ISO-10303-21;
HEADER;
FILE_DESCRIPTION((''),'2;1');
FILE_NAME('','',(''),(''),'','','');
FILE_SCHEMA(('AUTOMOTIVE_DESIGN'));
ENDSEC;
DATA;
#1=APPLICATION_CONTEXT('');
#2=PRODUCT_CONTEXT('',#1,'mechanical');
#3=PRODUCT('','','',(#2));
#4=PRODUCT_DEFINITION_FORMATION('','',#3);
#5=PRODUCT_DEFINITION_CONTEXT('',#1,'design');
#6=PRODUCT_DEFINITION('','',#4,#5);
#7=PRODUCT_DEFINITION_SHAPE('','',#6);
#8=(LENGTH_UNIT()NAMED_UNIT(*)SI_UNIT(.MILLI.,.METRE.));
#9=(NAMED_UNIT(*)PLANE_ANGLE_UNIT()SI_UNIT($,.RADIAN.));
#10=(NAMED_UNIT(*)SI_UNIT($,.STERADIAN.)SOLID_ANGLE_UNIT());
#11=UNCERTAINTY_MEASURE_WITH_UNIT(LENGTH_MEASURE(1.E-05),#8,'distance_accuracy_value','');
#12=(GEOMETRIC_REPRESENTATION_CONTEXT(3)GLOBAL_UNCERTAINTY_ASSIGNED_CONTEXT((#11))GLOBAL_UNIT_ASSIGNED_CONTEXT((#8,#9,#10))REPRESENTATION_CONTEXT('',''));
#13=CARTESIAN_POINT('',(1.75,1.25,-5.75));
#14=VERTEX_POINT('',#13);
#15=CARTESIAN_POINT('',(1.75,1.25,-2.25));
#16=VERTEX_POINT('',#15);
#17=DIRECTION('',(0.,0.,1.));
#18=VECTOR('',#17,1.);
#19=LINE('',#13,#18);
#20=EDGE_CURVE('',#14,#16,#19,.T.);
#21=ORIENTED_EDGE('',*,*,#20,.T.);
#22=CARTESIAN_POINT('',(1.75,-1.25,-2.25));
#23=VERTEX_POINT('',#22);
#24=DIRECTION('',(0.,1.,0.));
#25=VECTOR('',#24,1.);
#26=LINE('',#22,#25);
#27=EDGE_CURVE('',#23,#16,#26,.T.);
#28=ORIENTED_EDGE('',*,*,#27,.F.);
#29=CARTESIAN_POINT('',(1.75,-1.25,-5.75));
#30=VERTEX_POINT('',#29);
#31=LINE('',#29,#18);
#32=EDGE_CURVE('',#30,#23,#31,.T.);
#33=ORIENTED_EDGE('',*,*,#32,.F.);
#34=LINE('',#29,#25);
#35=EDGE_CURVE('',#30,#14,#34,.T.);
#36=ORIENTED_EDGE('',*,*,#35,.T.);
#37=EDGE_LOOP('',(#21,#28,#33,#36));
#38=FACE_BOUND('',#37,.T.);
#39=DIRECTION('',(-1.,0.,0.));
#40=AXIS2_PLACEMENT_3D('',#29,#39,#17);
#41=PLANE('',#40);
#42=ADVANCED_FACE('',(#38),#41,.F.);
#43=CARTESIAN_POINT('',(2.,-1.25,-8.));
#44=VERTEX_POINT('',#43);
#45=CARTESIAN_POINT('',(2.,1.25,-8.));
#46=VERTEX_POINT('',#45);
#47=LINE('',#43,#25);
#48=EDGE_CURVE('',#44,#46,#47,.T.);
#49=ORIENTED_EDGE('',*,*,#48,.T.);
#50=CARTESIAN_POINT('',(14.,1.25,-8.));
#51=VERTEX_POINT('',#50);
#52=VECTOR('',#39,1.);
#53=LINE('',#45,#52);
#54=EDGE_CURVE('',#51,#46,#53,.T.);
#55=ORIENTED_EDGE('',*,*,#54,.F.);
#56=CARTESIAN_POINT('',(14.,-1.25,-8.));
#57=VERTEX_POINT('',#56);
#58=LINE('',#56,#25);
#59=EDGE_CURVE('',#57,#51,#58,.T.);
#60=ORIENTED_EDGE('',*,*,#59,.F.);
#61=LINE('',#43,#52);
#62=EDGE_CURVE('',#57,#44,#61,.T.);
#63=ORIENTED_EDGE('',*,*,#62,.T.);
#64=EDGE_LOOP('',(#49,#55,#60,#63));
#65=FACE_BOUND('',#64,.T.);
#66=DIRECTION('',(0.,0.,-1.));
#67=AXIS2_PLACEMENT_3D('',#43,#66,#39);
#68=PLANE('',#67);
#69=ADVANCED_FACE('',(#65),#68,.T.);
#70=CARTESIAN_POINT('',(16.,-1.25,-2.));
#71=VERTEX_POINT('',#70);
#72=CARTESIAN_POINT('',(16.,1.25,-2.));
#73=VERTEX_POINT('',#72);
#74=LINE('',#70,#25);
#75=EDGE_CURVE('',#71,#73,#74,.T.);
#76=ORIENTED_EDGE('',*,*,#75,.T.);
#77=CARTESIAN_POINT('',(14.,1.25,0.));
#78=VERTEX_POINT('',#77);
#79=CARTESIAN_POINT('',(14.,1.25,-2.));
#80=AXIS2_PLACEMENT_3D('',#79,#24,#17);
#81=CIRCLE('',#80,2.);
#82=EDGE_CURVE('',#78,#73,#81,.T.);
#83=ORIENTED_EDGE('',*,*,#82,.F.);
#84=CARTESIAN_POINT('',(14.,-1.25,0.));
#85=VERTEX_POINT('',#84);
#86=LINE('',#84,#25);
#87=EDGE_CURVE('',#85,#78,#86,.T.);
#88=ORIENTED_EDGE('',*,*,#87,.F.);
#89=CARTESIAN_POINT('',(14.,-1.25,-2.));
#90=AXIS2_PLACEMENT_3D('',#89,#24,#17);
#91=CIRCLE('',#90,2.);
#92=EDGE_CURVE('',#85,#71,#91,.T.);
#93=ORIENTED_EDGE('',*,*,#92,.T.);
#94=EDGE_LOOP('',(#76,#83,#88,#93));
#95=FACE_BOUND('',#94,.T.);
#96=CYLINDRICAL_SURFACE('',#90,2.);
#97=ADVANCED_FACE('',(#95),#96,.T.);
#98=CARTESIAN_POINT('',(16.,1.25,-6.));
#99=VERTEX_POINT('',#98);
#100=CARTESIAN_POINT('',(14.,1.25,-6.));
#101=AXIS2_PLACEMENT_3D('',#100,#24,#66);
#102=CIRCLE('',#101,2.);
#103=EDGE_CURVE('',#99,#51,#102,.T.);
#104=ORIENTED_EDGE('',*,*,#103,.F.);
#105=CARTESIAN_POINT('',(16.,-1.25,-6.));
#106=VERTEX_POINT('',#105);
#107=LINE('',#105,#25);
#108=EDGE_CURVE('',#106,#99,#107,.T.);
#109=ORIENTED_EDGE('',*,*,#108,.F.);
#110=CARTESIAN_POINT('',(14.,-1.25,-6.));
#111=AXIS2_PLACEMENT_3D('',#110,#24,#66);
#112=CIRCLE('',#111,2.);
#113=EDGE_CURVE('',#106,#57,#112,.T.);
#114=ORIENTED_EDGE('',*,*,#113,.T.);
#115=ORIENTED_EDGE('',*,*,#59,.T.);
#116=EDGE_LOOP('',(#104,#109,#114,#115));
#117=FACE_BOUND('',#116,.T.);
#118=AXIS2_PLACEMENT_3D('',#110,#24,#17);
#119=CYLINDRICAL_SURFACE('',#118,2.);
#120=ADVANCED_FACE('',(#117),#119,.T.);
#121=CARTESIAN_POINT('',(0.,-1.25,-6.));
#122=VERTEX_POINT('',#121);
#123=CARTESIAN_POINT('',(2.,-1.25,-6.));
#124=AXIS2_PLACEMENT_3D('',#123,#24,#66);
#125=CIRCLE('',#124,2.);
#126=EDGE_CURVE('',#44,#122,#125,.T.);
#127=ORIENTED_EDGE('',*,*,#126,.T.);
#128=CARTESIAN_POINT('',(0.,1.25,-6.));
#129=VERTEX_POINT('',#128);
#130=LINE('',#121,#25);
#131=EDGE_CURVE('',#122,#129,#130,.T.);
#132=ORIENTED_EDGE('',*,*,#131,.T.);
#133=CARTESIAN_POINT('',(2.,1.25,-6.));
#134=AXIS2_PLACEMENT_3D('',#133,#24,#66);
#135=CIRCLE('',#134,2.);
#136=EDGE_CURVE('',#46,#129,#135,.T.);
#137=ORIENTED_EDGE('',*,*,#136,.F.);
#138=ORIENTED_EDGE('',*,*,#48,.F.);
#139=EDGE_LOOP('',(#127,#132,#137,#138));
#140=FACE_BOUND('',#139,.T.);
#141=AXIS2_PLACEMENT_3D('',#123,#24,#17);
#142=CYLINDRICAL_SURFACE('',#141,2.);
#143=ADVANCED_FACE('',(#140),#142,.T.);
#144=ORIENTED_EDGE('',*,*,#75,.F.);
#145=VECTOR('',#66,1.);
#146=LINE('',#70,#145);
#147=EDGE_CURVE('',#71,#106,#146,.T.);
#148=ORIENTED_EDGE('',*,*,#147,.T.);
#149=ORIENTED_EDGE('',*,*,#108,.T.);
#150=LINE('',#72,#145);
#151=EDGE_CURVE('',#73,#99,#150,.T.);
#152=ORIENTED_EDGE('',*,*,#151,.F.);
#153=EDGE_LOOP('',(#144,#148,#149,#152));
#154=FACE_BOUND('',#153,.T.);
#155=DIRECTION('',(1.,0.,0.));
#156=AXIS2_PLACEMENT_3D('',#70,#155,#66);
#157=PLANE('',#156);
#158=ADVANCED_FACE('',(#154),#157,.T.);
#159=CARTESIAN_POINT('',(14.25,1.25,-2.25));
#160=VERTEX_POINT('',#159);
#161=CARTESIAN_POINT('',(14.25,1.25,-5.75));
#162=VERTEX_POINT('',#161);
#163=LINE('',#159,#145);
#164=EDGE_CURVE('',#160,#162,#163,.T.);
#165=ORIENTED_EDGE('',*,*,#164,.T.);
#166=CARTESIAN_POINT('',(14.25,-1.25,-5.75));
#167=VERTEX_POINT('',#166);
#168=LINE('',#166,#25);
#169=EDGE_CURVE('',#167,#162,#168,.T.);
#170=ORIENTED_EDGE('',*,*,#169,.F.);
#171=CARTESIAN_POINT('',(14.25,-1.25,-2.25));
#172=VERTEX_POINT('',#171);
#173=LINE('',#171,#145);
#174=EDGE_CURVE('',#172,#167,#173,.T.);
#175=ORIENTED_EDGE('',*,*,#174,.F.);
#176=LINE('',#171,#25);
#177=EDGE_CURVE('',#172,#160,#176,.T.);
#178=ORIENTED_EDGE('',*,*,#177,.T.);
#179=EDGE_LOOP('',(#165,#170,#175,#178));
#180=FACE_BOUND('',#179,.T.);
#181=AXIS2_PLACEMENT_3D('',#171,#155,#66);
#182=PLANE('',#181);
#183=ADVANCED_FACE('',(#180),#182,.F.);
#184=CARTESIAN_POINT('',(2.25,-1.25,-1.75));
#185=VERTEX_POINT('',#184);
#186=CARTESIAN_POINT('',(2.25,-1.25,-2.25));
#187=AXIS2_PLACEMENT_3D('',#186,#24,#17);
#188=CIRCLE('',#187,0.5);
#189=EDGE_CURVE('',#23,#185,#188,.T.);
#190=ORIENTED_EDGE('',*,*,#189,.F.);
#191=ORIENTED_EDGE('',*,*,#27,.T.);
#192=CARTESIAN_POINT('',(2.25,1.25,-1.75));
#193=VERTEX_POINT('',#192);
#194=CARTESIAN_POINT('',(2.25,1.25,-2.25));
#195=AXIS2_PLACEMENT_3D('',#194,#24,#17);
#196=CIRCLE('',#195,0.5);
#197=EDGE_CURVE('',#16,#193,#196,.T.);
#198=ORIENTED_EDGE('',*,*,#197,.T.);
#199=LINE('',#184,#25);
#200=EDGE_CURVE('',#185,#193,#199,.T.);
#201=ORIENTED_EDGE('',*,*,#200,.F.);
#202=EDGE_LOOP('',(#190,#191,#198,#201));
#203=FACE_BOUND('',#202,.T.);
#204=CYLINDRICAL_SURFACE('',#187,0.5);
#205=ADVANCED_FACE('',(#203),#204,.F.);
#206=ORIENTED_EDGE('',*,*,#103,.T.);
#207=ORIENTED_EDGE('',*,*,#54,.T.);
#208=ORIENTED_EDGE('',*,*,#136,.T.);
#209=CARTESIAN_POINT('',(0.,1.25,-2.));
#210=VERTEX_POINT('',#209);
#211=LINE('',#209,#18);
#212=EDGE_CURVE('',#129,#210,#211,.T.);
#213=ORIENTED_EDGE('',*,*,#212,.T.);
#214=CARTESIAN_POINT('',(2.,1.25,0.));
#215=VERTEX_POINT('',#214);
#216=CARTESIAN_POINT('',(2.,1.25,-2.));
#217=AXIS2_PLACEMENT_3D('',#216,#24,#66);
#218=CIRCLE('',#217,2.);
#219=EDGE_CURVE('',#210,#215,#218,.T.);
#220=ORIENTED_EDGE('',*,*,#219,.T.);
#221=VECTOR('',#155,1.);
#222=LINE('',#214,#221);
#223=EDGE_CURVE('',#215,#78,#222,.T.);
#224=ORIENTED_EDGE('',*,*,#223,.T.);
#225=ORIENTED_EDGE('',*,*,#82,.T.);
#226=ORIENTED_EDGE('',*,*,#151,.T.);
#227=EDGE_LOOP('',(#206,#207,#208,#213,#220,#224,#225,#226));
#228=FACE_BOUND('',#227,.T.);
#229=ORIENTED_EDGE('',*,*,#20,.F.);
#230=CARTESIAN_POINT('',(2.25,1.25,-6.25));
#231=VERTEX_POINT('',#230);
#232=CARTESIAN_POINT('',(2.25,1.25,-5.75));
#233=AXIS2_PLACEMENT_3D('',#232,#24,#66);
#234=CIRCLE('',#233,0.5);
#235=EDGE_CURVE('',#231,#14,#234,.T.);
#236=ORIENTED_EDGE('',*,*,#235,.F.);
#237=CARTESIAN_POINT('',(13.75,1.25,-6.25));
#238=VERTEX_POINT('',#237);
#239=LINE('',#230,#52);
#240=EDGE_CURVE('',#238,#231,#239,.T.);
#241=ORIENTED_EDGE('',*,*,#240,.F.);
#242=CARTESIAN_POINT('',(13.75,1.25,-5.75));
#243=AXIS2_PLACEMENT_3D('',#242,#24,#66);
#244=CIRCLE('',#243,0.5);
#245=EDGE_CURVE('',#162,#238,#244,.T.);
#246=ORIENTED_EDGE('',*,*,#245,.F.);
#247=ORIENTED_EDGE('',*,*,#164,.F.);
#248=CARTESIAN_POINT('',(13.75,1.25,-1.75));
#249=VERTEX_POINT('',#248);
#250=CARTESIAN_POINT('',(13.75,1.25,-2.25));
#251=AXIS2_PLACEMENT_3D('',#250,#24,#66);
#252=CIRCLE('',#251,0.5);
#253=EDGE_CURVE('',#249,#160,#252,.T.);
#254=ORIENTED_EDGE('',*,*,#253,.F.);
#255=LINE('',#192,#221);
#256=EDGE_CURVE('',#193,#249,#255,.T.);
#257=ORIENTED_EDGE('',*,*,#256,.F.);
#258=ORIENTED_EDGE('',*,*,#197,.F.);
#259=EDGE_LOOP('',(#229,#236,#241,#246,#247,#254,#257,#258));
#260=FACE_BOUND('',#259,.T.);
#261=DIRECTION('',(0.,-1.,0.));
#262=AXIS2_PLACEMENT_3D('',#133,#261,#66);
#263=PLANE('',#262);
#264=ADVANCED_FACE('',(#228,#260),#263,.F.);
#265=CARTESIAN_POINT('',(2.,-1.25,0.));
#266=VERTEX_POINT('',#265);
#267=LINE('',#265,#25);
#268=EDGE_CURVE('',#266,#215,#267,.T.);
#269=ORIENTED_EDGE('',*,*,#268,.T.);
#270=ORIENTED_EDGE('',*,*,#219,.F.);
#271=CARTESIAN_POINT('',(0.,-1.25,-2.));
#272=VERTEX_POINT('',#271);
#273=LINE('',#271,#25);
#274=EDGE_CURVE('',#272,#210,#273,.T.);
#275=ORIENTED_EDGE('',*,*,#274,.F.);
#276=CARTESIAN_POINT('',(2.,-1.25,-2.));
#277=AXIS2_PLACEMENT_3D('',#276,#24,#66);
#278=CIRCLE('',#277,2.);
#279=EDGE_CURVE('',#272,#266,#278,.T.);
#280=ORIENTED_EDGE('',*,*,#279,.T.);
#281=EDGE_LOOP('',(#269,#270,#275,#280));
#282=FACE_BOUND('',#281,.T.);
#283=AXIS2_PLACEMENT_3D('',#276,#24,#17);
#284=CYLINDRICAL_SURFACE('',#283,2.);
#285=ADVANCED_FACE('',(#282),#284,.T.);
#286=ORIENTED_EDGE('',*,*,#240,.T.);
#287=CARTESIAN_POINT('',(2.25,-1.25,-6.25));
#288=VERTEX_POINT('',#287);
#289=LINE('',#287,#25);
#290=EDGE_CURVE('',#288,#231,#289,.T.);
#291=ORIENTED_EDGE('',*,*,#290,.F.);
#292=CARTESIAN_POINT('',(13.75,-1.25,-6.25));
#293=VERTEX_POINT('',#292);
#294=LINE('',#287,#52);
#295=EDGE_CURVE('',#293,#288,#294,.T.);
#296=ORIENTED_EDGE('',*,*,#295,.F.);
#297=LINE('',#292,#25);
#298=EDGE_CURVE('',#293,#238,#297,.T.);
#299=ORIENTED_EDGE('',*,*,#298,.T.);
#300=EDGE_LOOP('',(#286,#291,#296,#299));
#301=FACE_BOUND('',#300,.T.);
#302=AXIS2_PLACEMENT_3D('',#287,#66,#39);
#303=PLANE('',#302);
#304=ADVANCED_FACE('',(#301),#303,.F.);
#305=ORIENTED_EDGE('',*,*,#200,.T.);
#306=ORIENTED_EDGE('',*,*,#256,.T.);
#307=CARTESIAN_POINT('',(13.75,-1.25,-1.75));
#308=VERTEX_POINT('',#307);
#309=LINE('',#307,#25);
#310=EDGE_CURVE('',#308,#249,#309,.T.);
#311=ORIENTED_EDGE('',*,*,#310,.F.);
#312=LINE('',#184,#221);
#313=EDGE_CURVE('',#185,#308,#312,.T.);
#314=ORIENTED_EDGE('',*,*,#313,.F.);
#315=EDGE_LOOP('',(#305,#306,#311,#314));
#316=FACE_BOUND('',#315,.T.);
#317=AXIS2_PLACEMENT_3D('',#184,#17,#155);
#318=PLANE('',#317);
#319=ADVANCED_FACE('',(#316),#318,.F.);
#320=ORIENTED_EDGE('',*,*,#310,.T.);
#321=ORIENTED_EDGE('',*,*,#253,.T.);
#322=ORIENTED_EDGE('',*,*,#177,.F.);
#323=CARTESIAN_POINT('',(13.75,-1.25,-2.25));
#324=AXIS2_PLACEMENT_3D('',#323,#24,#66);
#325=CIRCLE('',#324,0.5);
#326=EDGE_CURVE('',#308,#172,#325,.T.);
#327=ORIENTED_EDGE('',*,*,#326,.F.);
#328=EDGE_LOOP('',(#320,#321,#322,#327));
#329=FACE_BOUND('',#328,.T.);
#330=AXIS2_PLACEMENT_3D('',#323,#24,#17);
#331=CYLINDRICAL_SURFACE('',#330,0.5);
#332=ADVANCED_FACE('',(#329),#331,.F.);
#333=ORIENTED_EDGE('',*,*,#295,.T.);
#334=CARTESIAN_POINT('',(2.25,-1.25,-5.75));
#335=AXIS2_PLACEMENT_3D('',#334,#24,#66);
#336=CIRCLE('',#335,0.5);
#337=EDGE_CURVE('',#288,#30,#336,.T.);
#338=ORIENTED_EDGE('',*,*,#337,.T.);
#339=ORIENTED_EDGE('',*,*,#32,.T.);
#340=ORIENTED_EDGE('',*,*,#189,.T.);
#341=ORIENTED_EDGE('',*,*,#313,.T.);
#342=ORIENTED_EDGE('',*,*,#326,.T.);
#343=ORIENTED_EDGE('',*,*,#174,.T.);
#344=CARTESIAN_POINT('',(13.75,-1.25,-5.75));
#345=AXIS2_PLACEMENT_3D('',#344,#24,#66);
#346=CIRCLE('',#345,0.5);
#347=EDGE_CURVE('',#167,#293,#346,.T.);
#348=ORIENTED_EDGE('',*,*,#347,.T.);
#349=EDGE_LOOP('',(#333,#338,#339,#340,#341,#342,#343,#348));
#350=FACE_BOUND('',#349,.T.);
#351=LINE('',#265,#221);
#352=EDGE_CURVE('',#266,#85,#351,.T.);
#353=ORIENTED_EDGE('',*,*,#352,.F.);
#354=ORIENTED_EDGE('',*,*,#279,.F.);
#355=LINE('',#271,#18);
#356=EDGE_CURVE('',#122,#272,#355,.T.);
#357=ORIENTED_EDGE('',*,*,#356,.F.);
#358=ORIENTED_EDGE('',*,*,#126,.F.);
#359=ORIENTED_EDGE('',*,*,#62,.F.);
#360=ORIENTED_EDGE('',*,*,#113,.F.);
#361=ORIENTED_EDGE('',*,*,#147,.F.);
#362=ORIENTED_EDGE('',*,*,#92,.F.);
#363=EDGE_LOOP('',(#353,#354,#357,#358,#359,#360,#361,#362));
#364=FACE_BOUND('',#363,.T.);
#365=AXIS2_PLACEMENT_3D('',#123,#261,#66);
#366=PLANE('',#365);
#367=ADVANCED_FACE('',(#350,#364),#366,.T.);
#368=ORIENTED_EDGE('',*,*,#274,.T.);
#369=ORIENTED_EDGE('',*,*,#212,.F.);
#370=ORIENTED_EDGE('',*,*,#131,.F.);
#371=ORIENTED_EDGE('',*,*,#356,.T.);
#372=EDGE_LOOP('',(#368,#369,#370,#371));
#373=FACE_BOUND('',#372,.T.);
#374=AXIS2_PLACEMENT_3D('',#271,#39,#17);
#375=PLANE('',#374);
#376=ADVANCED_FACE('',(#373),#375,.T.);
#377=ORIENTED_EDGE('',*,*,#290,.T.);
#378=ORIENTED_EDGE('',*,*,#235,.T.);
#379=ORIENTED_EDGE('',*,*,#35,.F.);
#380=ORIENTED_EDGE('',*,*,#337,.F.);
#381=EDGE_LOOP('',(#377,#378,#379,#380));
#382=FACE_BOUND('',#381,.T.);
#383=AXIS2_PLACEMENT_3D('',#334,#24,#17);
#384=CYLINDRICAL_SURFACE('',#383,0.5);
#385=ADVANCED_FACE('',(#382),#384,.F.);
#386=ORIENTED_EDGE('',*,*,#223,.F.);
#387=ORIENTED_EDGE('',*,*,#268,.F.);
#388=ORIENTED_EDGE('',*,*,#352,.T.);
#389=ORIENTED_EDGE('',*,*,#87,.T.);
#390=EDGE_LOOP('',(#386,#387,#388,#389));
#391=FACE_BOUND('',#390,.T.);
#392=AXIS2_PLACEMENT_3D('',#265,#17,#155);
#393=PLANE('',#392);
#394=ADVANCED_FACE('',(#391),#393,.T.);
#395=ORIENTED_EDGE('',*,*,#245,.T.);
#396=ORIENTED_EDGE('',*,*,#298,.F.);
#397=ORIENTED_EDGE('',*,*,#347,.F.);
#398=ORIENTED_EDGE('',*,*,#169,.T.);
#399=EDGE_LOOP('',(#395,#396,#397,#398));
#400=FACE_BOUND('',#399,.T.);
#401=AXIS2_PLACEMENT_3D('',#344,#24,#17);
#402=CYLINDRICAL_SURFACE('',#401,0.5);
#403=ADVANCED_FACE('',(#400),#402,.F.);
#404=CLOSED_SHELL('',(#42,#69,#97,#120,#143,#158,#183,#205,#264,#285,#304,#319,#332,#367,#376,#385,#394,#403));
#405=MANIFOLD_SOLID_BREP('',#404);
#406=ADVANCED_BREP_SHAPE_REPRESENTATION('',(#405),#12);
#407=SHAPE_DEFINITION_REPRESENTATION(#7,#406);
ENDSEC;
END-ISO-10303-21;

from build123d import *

# Parameters (mm, degrees)
SALIENTE_EXTRUIR2_DEPTH      = 1.25
SALIENTE_EXTRUIR2_DEPTH_BACK = 1.25


with BuildPart() as part:
    # Croquis1 → Saliente-Extruir2 (new, two sides: drawn at the far end of the back side and taken through both)
    with BuildSketch(Plane(origin=(0, 0, 0), x_dir=(1, 0, 0), z_dir=(0, 1, 0)).offset(-SALIENTE_EXTRUIR2_DEPTH_BACK)):
        with BuildLine():
            Line((2, 0), (14, 0))
            ThreePointArc((14, 0), (15.414213562, 0.585786438), (16, 2))
            Line((16, 2), (16, 6))
            ThreePointArc((16, 6), (15.414213562, 7.414213562), (14, 8))
            Line((14, 8), (2, 8))
            ThreePointArc((2, 8), (0.585786438, 7.414213562), (0, 6))
            Line((0, 6), (0, 2))
            ThreePointArc((0, 2), (0.585786438, 0.585786438), (2, 0))
        make_face()
        with BuildLine():
            Line((1.75, 5.75), (1.75, 2.25))
            ThreePointArc((1.75, 2.25), (1.896446609, 1.896446609), (2.25, 1.75))
            Line((2.25, 1.75), (13.75, 1.75))
            ThreePointArc((13.75, 1.75), (14.103553391, 1.896446609), (14.25, 2.25))
            Line((14.25, 2.25), (14.25, 5.75))
            ThreePointArc((14.25, 5.75), (14.103553391, 6.103553391), (13.75, 6.25))
            Line((13.75, 6.25), (2.25, 6.25))
            ThreePointArc((2.25, 6.25), (1.896446609, 6.103553391), (1.75, 5.75))
        make_face(mode=Mode.SUBTRACT)
    extrude(amount=SALIENTE_EXTRUIR2_DEPTH + SALIENTE_EXTRUIR2_DEPTH_BACK)


solid = part.part
